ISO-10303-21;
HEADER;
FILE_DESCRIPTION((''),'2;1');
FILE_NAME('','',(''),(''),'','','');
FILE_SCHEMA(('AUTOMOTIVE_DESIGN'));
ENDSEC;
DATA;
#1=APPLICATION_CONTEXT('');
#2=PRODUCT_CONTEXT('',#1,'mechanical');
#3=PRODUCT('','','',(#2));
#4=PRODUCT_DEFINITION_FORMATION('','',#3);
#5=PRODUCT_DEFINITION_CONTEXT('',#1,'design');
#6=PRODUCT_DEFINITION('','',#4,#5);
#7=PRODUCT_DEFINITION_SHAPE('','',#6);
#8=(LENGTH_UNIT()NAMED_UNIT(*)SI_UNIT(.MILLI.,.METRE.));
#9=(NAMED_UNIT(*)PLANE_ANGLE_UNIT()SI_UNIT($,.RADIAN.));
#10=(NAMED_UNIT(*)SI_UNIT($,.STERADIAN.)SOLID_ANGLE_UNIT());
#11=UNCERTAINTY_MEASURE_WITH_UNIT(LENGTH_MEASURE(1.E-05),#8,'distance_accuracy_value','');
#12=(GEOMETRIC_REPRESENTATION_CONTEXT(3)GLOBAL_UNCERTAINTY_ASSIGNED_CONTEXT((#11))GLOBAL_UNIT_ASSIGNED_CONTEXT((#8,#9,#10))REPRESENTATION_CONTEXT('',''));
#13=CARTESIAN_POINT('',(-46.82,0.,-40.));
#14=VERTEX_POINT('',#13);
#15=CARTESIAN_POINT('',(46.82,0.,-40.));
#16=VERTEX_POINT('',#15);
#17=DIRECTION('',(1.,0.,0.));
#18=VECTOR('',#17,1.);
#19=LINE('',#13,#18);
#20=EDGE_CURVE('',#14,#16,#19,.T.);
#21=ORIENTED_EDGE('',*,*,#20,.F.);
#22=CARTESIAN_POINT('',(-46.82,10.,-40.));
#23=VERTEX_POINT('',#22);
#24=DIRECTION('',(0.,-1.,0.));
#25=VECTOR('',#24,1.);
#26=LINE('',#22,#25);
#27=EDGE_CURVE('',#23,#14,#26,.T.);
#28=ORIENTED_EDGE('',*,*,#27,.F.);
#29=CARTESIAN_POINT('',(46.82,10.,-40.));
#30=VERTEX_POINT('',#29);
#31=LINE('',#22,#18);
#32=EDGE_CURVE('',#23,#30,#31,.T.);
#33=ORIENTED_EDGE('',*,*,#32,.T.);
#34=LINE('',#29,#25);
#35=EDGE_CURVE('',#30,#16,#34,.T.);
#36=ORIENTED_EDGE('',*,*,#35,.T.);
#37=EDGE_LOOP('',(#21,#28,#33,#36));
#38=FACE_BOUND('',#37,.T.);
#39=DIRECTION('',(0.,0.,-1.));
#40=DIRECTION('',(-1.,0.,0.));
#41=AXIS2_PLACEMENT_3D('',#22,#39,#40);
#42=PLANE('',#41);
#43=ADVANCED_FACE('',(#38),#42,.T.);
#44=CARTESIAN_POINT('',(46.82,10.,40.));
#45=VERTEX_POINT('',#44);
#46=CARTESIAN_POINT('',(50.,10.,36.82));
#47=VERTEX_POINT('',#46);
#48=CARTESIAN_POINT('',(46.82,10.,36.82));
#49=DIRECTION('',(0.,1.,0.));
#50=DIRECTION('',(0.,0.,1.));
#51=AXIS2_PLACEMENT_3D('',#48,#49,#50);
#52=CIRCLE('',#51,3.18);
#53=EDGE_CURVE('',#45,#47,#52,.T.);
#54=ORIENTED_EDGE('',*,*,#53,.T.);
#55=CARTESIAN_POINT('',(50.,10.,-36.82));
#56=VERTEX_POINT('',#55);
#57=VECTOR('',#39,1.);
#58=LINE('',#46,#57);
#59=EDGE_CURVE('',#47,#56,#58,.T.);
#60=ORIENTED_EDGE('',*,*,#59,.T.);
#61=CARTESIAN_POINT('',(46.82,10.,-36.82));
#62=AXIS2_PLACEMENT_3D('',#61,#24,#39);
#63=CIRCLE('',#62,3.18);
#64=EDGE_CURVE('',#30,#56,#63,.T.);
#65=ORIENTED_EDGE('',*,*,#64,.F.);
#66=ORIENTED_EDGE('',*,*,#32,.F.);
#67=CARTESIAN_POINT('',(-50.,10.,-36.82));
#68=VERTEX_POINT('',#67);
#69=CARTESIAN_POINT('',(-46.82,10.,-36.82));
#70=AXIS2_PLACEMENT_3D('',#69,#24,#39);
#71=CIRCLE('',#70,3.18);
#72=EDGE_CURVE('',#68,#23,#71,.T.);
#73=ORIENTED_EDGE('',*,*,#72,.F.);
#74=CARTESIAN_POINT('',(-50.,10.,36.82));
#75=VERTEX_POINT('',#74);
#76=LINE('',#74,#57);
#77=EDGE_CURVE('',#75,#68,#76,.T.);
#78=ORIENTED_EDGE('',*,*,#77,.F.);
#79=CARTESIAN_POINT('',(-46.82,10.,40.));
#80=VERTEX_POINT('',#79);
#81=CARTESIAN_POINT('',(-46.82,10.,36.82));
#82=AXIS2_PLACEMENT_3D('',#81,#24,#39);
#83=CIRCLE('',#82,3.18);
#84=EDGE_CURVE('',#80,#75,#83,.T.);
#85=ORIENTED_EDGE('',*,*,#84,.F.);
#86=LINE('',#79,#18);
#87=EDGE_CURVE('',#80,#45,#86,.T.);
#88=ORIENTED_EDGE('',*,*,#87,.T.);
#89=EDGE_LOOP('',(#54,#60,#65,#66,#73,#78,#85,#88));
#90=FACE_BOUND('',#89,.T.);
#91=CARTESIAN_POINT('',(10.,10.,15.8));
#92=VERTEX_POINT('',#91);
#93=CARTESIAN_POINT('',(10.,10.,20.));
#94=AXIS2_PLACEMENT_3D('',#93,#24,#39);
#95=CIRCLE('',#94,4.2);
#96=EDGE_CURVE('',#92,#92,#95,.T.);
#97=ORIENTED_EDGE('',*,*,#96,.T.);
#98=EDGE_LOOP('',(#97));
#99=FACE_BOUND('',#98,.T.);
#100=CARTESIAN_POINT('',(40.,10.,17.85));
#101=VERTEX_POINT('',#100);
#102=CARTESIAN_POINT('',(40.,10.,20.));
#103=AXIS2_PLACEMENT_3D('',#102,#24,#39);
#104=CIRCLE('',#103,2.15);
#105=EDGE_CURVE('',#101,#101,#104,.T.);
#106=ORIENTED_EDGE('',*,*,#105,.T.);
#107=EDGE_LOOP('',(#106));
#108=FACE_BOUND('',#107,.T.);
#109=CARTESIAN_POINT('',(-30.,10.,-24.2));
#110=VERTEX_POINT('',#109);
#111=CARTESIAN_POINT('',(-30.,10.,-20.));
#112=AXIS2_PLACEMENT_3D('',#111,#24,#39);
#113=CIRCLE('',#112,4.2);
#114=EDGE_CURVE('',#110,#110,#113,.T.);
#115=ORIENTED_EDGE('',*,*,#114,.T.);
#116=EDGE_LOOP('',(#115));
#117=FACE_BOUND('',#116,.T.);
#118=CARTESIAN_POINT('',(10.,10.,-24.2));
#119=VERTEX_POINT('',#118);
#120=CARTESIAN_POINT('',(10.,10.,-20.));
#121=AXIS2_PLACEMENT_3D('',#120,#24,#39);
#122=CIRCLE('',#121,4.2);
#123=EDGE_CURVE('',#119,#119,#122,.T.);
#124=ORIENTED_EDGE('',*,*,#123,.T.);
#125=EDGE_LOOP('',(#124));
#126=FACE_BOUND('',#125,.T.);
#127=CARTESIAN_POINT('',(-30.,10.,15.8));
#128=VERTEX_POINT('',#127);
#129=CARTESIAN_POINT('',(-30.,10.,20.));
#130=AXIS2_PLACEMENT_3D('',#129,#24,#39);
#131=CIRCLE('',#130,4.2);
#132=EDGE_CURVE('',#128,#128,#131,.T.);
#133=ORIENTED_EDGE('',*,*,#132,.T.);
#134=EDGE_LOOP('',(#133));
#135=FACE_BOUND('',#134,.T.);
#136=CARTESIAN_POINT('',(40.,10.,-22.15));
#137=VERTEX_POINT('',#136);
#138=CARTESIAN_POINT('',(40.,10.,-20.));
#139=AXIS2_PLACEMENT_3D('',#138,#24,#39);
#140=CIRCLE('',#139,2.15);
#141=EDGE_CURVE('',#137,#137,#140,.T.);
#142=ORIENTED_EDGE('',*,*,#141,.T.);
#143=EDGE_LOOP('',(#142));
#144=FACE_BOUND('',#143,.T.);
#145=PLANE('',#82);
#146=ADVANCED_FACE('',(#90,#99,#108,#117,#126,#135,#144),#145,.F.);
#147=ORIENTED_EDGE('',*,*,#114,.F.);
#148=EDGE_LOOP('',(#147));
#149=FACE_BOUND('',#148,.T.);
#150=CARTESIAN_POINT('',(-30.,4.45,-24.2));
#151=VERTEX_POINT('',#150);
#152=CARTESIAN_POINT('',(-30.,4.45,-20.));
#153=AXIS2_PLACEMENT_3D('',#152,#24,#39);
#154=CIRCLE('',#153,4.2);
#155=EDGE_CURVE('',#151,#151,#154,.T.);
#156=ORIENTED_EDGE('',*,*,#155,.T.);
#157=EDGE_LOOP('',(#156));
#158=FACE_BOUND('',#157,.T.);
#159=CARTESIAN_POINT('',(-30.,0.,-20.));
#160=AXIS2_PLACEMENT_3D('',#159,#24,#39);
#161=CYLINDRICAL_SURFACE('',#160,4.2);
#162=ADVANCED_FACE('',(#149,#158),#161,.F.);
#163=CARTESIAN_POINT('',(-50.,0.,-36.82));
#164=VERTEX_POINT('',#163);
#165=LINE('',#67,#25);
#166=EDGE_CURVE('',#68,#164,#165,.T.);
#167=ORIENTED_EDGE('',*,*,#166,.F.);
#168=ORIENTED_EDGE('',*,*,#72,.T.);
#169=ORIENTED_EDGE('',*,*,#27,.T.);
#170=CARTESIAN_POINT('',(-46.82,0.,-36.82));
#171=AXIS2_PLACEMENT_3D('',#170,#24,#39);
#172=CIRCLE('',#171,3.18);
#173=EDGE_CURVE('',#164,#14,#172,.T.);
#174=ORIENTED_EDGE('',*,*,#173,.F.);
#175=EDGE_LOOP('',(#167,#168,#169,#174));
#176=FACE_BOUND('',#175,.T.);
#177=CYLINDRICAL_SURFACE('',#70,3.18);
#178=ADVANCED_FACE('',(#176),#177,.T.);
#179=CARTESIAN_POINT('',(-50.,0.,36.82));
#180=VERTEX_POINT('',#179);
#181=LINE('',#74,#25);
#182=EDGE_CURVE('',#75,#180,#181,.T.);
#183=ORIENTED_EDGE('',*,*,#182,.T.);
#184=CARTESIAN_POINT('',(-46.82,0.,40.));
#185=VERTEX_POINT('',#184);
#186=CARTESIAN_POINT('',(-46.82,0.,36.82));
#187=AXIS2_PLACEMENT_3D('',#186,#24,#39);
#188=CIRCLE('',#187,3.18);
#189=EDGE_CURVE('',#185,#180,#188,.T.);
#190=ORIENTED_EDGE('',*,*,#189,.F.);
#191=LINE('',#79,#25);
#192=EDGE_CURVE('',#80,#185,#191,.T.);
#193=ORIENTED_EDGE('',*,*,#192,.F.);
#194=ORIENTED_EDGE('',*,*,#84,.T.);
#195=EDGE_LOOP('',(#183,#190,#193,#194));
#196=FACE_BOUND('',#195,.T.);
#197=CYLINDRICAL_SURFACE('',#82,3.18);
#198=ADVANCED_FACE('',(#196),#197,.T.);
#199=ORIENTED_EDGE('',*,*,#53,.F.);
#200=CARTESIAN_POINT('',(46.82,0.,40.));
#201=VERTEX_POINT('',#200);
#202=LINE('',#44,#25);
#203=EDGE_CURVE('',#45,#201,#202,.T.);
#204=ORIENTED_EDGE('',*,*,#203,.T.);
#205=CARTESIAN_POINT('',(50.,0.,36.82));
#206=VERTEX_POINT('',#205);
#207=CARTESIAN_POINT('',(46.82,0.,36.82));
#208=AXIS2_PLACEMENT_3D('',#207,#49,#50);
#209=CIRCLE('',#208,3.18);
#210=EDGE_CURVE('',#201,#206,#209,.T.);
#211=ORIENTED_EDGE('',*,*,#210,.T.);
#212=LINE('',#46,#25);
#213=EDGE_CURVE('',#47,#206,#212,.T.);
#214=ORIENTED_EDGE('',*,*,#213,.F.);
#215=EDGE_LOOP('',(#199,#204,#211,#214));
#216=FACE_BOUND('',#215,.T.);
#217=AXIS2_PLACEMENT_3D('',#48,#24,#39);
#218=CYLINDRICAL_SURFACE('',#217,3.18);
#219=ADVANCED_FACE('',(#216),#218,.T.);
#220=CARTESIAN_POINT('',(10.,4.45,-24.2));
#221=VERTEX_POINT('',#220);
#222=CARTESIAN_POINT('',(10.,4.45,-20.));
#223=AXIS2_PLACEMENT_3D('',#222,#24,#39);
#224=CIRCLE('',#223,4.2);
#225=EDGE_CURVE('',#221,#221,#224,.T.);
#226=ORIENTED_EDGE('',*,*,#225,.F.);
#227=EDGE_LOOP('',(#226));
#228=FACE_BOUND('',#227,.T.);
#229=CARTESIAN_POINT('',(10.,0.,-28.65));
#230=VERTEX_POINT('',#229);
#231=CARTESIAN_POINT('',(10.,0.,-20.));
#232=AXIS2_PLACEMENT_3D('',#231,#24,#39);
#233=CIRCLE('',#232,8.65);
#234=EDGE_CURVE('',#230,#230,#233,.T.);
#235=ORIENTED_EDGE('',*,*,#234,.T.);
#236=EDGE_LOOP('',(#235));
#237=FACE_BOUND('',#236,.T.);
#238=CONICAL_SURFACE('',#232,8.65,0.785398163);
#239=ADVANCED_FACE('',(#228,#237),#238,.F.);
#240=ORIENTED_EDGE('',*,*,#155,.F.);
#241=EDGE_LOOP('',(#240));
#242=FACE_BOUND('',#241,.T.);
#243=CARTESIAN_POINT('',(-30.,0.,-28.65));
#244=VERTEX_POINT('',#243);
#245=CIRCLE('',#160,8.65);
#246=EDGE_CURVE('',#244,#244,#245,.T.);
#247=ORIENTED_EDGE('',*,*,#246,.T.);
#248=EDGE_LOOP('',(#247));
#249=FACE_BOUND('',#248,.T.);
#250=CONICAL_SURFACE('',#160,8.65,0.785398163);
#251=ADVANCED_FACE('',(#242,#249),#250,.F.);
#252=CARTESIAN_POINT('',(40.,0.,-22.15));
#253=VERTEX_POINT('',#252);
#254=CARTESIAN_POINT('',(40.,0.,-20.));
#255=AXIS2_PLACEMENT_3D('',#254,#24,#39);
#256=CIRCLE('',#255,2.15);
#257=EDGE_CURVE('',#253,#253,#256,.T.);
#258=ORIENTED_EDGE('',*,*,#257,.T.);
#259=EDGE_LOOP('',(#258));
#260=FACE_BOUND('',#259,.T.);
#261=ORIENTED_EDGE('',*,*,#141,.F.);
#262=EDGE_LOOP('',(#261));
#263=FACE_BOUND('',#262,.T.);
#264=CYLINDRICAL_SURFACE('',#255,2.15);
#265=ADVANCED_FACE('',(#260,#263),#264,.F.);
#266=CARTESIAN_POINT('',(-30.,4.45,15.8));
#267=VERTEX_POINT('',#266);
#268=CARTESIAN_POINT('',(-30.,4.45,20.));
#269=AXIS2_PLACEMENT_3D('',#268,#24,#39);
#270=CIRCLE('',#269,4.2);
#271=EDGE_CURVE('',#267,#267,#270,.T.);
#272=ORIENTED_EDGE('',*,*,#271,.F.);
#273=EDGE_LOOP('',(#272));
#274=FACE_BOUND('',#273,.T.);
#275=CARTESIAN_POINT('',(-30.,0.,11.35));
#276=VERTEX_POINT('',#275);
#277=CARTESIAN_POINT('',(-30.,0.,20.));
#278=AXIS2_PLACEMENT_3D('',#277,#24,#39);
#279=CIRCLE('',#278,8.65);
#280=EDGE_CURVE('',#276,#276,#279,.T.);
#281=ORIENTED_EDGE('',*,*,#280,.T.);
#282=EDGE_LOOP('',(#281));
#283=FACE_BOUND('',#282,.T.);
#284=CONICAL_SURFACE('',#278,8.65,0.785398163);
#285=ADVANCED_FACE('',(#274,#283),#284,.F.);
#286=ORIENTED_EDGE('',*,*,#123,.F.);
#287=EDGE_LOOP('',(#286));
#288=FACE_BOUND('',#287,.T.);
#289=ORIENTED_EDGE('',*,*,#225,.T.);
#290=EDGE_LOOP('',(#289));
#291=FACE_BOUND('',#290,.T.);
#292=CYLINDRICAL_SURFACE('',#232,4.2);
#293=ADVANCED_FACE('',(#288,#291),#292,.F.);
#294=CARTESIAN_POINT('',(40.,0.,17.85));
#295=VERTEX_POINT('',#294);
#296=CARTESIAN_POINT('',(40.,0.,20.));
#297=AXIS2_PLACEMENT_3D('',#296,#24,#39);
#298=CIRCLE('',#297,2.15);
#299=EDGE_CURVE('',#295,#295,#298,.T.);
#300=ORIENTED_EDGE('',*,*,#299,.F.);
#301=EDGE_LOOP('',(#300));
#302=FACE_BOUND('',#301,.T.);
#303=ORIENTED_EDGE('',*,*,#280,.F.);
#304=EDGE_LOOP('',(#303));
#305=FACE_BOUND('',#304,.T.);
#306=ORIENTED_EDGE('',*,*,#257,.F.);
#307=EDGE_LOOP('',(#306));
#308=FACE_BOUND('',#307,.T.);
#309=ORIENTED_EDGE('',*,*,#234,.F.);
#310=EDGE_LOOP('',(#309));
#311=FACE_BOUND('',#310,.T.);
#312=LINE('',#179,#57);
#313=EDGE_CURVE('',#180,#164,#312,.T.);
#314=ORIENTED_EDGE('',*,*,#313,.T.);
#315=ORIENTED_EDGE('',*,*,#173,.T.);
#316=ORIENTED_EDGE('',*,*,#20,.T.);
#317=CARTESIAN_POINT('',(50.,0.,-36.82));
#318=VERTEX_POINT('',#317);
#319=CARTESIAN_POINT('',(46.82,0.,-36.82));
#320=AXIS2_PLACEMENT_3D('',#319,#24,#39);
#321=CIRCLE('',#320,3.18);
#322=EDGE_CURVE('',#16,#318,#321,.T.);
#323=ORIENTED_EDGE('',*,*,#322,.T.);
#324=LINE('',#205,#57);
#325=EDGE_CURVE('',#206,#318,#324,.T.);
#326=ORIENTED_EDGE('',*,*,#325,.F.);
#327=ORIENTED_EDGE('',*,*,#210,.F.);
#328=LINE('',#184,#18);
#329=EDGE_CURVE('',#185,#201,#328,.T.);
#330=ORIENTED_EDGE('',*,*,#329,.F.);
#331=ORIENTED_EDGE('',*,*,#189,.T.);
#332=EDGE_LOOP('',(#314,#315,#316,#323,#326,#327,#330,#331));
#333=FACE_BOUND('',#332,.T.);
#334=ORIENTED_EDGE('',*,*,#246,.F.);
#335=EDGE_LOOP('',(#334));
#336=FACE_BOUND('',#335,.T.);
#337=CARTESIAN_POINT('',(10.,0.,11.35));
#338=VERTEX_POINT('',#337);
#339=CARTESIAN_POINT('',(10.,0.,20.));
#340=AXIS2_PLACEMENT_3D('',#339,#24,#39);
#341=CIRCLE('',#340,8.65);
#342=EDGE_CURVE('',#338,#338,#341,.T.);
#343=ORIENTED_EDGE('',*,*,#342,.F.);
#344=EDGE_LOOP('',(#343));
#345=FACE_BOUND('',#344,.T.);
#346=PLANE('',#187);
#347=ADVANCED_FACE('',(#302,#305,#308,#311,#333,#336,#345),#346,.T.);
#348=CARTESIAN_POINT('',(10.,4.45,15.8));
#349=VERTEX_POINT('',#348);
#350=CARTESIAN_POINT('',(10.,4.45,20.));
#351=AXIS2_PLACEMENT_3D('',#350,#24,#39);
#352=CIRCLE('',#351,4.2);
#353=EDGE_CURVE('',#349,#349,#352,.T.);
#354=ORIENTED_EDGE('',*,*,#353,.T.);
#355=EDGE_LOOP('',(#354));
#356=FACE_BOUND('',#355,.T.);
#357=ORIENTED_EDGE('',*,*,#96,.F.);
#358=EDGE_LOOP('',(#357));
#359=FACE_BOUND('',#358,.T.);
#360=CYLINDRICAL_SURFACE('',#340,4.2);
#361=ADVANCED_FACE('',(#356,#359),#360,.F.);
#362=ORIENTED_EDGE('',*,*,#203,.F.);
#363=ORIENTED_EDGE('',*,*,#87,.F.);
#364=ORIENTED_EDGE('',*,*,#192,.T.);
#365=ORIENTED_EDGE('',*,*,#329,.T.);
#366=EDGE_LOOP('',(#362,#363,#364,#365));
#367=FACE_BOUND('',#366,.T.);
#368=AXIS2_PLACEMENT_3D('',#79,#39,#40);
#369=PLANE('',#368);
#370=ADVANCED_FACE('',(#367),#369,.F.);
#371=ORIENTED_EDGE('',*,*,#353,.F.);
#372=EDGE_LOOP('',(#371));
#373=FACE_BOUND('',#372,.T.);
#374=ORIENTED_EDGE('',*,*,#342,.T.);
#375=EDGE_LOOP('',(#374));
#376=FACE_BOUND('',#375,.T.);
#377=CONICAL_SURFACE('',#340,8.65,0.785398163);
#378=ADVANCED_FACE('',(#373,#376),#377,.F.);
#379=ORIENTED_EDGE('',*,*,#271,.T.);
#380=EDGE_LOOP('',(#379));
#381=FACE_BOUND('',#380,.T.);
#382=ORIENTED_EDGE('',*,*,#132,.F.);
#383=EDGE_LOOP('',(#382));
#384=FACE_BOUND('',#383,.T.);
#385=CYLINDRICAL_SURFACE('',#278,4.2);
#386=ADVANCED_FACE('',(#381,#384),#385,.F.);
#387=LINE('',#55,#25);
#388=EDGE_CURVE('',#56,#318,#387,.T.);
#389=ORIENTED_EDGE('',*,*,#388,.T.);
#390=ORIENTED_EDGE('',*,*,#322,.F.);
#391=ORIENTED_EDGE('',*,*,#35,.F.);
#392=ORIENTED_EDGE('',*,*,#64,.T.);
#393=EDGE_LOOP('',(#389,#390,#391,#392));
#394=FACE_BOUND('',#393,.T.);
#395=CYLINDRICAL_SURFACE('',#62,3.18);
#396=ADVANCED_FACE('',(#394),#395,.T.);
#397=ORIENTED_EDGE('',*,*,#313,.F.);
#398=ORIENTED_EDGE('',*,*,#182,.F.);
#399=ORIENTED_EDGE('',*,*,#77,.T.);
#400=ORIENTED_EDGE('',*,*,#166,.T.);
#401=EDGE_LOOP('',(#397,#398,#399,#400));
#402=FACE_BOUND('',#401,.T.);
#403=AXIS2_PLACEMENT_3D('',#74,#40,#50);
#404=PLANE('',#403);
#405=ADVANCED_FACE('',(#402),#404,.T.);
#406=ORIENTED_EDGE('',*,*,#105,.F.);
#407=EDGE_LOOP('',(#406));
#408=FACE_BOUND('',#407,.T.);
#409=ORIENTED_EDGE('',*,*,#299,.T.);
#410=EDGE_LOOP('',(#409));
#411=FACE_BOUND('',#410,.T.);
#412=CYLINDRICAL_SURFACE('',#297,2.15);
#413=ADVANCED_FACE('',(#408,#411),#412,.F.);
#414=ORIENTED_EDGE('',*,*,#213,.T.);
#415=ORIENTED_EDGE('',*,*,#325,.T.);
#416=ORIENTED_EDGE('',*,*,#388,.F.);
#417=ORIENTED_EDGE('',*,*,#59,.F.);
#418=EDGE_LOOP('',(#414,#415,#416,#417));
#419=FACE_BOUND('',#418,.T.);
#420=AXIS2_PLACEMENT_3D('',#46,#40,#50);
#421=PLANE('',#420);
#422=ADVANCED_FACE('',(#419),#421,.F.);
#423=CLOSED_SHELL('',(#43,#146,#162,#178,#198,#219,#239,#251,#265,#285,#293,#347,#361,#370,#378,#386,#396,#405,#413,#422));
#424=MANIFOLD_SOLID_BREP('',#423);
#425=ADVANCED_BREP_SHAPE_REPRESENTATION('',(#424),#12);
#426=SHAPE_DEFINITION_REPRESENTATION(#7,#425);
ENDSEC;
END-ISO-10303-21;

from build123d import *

# Parameters (mm, degrees)
BOSS_EXTRUDE1_DEPTH                             = 10
CSK_FOR_M8_FLAT_HEAD_MACHINE_SCREW1_D           = 8.4
CSK_FOR_M8_FLAT_HEAD_MACHINE_SCREW1_CSINK_D     = 17.3
CSK_FOR_M8_FLAT_HEAD_MACHINE_SCREW1_CSINK_ANGLE = 90
M4_CLEARANCE_HOLE1_D                            = 4.3


with BuildPart() as part:
    # Sketch1 → Boss-Extrude1 (new body)
    with BuildSketch(Plane(origin=(0, 0, 0), x_dir=(1, 0, 0), z_dir=(0, 1, 0))):
        with BuildLine():
            Line((-46.82, -40), (46.82, -40))
            ThreePointArc((46.82, -40), (49.068599564, -39.068599564), (50, -36.82))
            Line((50, -36.82), (50, 36.82))
            ThreePointArc((50, 36.82), (49.068599564, 39.068599564), (46.82, 40))
            Line((46.82, 40), (-46.82, 40))
            ThreePointArc((-46.82, 40), (-49.068599564, 39.068599564), (-50, 36.82))
            Line((-50, 36.82), (-50, -36.82))
            ThreePointArc((-50, -36.82), (-49.068599564, -39.068599564), (-46.82, -40))
        make_face()
    extrude(amount=BOSS_EXTRUDE1_DEPTH)

    # CSK for M8 Flat Head Machine Screw1 (through all)
    with Locations(Plane(origin=(0, 0, 0), x_dir=(-1, 0, 0), z_dir=(0, -1, 0))):
        with Locations((-10, 20), (30, 20), (30, -20), (-10, -20)):
            CounterSinkHole(CSK_FOR_M8_FLAT_HEAD_MACHINE_SCREW1_D / 2, CSK_FOR_M8_FLAT_HEAD_MACHINE_SCREW1_CSINK_D / 2, counter_sink_angle=CSK_FOR_M8_FLAT_HEAD_MACHINE_SCREW1_CSINK_ANGLE)

    # M4 Clearance Hole1 (through all)
    with Locations(Plane(origin=(0, 0, 0), x_dir=(-1, 0, 0), z_dir=(0, -1, 0))):
        with Locations((-40, 20), (-40, -20)):
            Hole(M4_CLEARANCE_HOLE1_D / 2)


solid = part.part
